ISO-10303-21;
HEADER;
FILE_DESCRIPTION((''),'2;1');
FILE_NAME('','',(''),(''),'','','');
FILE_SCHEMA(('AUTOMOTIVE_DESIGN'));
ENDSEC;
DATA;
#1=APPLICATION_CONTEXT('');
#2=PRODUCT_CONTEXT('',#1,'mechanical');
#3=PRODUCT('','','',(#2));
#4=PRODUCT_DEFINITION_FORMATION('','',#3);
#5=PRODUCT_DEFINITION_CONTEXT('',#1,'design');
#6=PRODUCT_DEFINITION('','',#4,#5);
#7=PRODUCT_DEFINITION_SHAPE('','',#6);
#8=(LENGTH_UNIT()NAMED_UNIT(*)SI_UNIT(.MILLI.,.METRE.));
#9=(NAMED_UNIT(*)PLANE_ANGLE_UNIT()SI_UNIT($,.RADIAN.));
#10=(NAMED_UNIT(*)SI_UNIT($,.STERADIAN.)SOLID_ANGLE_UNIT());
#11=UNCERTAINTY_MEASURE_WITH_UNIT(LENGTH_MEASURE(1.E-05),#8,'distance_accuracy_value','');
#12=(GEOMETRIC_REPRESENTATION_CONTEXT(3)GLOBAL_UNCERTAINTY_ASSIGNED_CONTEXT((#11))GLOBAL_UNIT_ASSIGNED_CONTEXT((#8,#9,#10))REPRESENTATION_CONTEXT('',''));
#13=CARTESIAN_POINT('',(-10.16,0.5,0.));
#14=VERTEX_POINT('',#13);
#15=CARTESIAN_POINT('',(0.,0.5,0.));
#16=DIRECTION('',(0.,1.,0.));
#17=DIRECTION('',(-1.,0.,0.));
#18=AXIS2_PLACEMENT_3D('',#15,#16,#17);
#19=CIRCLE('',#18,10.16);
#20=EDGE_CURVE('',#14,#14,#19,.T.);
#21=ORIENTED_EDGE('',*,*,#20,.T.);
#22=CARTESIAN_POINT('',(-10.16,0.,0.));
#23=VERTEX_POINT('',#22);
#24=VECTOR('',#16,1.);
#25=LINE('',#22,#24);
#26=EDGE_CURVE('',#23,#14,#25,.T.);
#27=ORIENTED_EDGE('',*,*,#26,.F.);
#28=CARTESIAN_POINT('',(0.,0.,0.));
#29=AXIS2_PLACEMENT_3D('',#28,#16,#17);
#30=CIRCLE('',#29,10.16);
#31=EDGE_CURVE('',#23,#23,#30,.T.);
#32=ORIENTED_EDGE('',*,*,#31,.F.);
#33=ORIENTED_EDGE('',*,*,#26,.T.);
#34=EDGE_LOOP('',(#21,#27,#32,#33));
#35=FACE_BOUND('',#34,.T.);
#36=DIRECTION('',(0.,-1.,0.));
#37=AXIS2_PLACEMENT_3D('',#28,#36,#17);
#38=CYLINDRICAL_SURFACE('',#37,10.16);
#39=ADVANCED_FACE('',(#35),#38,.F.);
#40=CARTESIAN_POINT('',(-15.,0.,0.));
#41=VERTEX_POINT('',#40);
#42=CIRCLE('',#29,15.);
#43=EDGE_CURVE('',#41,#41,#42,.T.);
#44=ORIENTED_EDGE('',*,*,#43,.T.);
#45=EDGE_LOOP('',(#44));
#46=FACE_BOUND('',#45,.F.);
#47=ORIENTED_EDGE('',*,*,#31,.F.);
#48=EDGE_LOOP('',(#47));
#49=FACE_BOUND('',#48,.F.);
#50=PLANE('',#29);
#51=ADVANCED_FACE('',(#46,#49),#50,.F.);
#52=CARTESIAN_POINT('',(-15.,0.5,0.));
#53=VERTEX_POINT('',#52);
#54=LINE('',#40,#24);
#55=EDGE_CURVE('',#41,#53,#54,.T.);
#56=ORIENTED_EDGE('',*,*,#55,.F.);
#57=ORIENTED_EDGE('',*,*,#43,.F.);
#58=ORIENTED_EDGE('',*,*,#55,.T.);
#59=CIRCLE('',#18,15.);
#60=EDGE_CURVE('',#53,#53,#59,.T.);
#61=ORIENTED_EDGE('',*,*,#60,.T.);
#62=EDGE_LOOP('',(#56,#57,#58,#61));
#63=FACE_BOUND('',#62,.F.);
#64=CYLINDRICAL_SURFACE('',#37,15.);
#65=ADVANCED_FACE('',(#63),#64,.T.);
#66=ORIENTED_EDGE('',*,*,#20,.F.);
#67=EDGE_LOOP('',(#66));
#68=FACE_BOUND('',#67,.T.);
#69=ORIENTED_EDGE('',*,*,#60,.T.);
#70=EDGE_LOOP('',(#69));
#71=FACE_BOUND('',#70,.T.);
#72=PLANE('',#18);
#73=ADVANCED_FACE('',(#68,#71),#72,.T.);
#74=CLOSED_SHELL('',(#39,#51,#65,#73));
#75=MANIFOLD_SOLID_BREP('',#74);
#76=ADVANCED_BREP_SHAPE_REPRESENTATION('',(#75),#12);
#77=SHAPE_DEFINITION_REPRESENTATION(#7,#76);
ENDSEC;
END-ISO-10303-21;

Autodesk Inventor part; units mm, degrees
ref_plane "YZ Plane" through (0, 0, 0) normal (1, 0, 0) x (0, 1, 0)
ref_plane "XZ Plane" through (0, 0, 0) normal (0, 1, 0) x (-1, 0, 0)
ref_plane "XY Plane" through (0, 0, 0) normal (0, 0, 1) x (1, 0, 0)
sketch "Sketch1" plane through (0, 0, 0) normal (0, 1, 0) x (-1, 0, 0)
  circle A0 centre (0, 0) radius 15
  circle A1 centre (0, 0) radius 10.16
  dimension "d0" = 30
  dimension "d1" = 20.32
extrude "Extrusion1" add sketch "Sketch1" along normal blind 0.5
properties part number "2030 Teflon Sheet" material "ABS Plastic"
